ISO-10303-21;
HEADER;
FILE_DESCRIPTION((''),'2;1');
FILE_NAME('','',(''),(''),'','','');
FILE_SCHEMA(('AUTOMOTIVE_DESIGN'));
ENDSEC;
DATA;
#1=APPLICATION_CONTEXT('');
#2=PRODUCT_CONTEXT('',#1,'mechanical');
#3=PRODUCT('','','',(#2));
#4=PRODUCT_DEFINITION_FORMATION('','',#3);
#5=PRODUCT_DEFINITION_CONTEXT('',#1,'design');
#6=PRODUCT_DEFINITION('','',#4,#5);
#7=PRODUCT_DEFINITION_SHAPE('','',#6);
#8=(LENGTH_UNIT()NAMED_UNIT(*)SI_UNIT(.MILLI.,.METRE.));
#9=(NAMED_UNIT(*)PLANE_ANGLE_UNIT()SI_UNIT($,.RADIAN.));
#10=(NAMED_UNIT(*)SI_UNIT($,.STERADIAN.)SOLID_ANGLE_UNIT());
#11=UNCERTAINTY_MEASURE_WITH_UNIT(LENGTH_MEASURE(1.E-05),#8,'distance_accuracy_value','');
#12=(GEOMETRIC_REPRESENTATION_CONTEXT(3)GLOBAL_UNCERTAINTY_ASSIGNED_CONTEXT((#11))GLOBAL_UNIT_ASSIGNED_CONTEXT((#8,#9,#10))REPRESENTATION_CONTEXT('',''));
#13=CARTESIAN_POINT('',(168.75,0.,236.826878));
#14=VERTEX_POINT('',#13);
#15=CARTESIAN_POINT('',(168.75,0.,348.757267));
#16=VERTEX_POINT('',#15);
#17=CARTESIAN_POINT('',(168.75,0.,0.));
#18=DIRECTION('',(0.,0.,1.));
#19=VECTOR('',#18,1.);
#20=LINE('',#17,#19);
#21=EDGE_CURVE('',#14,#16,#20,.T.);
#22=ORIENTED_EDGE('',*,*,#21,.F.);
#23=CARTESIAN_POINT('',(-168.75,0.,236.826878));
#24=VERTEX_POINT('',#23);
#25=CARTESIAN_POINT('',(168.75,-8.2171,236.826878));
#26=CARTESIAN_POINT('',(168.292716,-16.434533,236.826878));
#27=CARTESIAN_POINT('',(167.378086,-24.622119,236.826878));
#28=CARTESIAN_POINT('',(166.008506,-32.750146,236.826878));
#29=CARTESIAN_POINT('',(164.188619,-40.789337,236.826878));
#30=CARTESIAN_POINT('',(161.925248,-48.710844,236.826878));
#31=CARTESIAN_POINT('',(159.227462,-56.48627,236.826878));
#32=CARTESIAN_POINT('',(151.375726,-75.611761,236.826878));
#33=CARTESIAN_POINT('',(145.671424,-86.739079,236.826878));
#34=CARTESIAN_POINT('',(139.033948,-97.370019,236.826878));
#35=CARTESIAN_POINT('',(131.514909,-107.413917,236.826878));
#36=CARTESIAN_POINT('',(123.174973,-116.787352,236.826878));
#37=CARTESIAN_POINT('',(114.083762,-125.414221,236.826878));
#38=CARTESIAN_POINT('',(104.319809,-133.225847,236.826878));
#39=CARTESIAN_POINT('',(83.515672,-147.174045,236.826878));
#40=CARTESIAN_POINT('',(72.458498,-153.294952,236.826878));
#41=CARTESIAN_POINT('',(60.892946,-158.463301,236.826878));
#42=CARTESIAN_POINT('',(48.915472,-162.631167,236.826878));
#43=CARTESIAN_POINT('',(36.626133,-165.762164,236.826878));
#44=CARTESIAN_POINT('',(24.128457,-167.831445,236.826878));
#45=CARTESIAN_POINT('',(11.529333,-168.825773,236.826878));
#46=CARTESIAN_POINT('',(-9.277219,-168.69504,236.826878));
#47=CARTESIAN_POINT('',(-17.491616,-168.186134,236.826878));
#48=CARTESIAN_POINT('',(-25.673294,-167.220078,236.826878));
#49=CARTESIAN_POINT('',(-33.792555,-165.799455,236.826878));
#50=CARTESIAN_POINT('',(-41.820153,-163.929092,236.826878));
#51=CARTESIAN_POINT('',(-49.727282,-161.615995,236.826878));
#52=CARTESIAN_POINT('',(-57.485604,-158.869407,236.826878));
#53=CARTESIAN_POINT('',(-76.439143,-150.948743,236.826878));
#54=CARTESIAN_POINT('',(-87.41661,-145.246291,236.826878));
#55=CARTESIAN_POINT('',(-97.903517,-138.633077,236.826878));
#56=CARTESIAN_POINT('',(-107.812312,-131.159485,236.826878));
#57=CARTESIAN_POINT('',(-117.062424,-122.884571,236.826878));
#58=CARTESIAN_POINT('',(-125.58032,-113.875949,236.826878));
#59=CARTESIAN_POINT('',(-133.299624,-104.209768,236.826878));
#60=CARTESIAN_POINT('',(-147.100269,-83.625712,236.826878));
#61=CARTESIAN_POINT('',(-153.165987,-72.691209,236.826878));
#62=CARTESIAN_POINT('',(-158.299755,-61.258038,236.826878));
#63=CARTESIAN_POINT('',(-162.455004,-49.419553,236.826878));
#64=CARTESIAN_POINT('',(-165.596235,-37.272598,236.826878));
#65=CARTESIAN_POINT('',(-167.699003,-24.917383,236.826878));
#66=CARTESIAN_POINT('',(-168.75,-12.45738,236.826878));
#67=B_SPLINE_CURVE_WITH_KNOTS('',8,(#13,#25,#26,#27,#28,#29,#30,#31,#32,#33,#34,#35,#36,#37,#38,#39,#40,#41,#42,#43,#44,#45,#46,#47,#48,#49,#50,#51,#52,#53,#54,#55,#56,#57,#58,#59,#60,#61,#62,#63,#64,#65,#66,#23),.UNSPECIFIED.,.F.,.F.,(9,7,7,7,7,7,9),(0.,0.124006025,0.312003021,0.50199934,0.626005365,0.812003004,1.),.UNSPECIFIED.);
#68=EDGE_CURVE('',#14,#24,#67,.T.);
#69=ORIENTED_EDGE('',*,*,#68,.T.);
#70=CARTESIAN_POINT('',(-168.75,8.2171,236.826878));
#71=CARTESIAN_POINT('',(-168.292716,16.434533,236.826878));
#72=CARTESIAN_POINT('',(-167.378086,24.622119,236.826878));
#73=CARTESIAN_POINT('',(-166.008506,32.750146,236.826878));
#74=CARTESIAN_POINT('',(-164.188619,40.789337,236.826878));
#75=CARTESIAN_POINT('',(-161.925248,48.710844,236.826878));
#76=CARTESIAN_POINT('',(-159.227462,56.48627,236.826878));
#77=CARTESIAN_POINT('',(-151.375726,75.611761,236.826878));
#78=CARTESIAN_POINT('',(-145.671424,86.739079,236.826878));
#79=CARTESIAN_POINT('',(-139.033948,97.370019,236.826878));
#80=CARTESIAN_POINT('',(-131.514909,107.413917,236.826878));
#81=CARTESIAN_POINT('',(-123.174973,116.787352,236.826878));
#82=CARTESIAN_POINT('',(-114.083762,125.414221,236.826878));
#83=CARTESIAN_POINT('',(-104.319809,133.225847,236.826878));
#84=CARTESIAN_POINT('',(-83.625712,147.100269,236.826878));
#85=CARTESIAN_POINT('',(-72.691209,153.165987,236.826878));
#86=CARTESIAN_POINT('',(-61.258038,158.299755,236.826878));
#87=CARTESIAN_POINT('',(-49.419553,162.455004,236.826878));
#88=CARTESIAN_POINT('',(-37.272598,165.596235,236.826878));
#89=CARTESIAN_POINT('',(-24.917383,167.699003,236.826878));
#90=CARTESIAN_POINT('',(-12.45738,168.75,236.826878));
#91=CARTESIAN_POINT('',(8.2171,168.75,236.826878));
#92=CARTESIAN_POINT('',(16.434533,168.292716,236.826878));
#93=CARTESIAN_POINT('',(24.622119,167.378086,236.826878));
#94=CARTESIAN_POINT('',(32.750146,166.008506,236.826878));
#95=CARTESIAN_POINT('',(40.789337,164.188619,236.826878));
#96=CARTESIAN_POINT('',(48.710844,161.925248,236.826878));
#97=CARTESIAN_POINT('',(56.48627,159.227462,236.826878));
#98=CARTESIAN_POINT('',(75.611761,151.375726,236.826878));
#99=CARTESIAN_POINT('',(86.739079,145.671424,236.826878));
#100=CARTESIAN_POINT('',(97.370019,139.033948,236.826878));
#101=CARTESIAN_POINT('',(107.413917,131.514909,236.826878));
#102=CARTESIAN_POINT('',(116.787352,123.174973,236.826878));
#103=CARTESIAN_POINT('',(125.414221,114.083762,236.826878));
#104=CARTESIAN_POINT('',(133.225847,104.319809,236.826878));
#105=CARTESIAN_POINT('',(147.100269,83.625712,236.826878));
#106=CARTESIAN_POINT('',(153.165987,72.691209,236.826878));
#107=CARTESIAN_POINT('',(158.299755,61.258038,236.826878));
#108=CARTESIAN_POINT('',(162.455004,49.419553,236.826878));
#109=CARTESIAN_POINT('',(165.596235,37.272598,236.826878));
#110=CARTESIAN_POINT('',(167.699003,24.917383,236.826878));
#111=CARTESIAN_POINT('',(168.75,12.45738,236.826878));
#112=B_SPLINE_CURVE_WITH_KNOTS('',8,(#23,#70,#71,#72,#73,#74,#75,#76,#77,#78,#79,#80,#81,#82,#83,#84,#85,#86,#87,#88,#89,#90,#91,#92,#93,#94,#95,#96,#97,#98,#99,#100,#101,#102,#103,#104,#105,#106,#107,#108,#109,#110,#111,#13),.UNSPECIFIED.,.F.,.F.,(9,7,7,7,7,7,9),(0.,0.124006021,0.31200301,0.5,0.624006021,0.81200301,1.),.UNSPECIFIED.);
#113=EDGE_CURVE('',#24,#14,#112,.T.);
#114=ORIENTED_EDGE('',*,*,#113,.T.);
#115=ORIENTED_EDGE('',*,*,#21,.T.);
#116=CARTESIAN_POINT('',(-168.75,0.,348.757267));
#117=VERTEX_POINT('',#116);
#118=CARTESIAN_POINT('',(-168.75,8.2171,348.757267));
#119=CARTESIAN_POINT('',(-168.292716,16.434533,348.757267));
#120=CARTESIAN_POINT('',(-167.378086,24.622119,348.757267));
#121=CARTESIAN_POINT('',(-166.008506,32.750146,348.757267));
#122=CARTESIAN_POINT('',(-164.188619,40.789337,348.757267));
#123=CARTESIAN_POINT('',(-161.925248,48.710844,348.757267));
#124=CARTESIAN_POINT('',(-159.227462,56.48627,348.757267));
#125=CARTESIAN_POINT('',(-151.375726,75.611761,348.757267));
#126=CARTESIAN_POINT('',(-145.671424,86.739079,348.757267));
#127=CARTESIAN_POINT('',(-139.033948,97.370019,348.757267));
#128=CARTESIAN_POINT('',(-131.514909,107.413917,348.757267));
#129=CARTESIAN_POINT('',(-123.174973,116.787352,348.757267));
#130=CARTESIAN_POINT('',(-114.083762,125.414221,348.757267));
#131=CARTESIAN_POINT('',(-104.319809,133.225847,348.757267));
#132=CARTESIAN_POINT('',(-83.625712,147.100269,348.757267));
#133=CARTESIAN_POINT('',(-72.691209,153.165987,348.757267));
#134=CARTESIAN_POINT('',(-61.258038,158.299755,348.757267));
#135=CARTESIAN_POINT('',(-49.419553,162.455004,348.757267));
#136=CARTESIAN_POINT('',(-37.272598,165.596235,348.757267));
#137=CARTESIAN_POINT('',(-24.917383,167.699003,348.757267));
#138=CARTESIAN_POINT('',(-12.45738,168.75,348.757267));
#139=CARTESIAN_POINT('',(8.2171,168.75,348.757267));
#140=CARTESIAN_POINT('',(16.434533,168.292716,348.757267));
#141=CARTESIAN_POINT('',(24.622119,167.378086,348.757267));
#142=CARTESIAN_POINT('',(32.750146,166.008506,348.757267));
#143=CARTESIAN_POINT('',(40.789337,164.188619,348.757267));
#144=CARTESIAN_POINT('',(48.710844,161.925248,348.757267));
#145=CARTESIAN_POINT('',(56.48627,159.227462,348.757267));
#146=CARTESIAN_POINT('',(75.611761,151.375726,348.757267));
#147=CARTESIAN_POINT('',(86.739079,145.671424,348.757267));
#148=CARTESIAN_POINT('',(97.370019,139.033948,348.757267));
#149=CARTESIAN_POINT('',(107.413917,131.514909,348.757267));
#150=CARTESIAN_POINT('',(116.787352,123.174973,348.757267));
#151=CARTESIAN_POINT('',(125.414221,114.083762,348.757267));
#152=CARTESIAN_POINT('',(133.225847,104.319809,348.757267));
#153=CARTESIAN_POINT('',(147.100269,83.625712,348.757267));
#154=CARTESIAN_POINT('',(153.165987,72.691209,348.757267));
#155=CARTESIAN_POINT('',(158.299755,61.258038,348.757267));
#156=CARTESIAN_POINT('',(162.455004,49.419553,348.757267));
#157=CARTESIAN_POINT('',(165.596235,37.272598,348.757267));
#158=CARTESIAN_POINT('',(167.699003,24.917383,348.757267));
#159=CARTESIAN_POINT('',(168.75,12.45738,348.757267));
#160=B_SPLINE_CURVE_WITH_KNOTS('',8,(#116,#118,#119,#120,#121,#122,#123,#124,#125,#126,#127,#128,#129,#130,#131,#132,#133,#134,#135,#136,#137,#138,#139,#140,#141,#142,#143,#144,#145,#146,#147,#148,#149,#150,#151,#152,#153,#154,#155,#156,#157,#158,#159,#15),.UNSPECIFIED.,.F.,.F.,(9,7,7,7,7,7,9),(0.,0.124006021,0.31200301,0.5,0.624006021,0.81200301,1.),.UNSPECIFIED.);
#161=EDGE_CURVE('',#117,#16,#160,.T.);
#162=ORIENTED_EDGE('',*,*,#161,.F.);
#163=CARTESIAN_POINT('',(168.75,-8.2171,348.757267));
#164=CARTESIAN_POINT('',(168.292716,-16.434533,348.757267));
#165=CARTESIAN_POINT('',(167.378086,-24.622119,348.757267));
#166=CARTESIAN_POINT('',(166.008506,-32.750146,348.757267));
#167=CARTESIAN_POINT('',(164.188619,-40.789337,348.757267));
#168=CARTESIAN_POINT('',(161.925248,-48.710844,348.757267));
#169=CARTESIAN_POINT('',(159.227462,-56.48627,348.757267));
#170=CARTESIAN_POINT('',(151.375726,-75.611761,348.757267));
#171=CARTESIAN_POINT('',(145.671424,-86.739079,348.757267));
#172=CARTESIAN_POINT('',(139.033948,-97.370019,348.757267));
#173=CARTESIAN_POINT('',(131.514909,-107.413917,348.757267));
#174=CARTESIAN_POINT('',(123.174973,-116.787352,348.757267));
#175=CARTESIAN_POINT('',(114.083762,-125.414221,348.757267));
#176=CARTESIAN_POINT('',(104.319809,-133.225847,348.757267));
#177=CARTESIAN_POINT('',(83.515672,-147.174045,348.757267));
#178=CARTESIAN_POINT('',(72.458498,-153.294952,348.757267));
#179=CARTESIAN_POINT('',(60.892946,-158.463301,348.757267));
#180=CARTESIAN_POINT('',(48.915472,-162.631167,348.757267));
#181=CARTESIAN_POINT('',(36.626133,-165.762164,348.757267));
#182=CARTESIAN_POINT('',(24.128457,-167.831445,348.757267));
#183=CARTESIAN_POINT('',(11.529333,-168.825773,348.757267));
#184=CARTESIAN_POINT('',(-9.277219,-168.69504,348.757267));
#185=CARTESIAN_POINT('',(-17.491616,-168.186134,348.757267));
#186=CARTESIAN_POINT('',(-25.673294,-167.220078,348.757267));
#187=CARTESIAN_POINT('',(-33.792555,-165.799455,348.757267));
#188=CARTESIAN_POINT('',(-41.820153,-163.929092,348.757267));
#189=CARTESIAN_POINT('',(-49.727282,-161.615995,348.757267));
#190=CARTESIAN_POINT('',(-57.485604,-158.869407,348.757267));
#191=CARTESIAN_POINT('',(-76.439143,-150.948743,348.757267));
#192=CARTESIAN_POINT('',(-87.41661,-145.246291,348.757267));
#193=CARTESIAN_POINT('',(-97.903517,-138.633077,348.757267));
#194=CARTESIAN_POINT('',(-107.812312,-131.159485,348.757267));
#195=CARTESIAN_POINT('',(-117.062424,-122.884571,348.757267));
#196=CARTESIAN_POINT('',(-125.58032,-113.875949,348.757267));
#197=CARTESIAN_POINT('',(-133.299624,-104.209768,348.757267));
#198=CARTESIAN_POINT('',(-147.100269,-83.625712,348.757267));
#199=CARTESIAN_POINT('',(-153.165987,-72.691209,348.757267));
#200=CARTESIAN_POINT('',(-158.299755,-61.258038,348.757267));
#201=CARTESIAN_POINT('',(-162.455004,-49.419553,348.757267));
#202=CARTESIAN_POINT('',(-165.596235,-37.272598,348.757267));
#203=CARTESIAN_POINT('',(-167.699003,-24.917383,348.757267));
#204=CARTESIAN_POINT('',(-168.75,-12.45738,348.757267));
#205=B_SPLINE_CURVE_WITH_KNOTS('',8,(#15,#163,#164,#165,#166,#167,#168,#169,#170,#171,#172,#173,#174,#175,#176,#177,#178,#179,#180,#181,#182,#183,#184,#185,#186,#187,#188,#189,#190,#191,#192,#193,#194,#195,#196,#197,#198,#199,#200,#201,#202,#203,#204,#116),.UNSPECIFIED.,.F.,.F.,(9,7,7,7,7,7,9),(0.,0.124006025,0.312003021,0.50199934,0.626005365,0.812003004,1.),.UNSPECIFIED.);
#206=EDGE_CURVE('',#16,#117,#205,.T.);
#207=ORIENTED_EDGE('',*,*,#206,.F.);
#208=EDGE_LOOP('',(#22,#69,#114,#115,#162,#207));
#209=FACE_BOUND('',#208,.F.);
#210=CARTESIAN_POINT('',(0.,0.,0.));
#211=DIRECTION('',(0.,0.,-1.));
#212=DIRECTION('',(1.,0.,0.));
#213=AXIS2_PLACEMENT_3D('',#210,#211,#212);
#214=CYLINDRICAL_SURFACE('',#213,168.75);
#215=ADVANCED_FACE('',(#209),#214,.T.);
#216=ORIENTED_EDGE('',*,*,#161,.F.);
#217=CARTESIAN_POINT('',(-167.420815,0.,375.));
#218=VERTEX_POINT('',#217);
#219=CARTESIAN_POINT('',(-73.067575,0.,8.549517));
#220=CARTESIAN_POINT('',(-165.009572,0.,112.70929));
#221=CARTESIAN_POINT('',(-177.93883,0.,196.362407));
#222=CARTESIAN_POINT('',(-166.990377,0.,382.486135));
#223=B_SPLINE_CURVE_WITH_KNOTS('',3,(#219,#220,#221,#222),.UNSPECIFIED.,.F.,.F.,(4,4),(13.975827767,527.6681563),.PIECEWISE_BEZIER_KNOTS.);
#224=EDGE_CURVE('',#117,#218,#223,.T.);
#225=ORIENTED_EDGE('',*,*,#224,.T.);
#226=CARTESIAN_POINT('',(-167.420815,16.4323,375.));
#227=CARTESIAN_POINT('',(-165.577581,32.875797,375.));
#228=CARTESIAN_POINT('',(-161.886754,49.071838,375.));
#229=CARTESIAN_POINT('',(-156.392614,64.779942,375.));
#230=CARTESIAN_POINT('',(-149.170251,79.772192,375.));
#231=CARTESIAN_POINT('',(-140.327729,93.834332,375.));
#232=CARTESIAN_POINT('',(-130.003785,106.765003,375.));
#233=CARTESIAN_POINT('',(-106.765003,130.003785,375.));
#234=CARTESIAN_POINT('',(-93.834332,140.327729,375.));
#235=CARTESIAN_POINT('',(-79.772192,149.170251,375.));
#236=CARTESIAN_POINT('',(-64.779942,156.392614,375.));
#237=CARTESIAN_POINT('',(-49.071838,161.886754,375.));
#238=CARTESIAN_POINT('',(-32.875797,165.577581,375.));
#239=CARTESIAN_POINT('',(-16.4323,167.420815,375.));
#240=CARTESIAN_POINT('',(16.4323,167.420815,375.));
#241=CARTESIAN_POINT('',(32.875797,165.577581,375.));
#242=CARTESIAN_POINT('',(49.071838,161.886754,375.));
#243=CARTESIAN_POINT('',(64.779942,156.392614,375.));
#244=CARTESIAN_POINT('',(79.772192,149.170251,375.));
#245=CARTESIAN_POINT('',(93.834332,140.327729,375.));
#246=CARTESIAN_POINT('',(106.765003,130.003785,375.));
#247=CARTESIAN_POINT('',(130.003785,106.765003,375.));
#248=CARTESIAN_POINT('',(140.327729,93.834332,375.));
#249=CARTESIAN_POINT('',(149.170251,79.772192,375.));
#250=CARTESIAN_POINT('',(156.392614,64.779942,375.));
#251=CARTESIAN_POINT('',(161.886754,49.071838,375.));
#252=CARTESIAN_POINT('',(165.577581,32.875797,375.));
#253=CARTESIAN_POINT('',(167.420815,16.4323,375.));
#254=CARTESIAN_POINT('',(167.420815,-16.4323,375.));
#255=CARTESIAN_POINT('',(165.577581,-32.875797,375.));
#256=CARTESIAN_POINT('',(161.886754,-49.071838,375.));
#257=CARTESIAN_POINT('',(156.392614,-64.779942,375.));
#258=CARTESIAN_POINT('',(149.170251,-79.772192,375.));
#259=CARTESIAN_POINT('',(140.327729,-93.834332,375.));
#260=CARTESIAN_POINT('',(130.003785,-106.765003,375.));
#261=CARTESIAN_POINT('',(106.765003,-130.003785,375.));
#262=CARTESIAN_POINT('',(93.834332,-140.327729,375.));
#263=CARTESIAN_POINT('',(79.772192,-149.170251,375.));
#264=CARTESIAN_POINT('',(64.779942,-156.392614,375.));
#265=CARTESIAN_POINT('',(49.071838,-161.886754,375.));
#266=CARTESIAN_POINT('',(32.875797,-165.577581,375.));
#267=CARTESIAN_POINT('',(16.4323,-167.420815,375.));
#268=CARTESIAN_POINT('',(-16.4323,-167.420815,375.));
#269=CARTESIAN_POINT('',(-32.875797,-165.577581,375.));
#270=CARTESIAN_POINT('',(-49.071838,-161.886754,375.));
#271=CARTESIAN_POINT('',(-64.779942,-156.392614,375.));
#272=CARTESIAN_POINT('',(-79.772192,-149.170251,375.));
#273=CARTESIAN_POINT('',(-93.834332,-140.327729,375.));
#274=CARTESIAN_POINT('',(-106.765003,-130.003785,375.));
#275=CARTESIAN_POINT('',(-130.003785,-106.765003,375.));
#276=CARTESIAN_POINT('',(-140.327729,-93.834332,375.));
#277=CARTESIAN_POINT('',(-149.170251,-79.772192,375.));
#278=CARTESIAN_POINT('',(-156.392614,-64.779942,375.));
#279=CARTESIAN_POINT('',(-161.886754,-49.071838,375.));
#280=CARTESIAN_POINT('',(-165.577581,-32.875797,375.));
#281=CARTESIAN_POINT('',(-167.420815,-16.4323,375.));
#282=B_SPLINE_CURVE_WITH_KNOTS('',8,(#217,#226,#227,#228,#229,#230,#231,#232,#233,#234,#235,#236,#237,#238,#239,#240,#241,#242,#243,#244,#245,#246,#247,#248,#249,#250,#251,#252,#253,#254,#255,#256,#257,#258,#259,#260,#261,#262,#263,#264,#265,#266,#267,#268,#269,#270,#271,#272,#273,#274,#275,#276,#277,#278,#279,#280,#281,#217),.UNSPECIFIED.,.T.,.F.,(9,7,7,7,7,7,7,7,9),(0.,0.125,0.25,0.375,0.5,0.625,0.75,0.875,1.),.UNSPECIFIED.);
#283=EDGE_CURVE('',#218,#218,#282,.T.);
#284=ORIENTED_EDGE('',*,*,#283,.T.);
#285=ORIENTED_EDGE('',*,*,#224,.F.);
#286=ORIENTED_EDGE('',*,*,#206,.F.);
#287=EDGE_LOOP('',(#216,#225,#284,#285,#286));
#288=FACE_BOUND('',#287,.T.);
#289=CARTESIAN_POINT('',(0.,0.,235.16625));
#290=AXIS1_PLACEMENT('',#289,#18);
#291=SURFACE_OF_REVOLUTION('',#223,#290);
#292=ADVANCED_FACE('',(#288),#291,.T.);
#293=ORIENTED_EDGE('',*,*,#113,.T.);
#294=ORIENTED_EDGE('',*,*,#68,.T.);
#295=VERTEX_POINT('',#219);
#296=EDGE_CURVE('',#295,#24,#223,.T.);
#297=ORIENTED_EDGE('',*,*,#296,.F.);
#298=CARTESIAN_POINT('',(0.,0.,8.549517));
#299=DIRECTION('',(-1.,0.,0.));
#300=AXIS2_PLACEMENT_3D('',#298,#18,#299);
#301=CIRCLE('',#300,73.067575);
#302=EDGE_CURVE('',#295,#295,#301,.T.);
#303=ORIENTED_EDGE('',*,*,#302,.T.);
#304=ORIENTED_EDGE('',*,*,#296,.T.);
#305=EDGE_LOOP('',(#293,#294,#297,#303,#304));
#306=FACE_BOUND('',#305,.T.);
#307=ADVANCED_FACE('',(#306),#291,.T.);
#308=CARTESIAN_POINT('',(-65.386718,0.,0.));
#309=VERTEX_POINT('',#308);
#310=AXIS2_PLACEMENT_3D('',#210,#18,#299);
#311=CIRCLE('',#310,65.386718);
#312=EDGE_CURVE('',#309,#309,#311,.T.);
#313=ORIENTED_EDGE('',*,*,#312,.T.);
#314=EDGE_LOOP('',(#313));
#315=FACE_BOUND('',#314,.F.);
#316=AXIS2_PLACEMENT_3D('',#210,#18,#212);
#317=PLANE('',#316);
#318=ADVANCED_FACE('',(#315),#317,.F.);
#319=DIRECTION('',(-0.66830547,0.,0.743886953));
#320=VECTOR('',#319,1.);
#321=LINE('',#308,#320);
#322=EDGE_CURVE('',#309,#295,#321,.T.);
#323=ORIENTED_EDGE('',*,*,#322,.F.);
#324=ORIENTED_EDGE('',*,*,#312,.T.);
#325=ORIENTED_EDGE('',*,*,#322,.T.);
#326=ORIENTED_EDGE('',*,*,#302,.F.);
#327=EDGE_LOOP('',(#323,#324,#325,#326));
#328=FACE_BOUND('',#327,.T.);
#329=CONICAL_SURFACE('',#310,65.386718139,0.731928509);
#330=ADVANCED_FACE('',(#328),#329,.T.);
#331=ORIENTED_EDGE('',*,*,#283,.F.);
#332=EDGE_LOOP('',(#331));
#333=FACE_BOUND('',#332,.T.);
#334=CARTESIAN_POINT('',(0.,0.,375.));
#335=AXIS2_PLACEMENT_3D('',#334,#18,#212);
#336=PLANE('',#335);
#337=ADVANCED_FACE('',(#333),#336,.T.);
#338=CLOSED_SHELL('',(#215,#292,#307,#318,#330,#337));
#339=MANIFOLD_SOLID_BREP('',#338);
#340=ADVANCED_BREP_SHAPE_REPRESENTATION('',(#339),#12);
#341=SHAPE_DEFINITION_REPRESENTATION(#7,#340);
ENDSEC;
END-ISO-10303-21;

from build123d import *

# Parameters (mm, degrees)
F0_R     = 225
F1_DEPTH = 500
F5_SCALE = 0.75


with BuildPart() as f1:
    # F0 (on Top) → F1 (new body)
    with BuildSketch(Plane.XY):
        Circle(F0_R)
    extrude(amount=F1_DEPTH)

    # F2 (on Front) → F4 (revolve, cut)
    with BuildSketch(Plane.XZ):
        with BuildLine():
            Line((-370.3630566597, 0), (-87.1822908521, 0))
            add(Edge.make_bspline(
                [(-87.1822908521, 0), (-90.6749721594, 3.8222254673), (-94.0881927527, 7.6209101654), (-97.4234330683, 11.3993561694)],
                knots=[0, 0, 0, 0, 13.9758277665, 13.9758277665, 13.9758277665, 13.9758277665], degree=3))
            add(Edge.make_bspline(
                [(-97.4234330683, 11.3993561694), (-220.0127632021, 150.279053206), (-237.2517737021, 261.8165432768), (-222.6538360119, 509.9815130234)],
                knots=[13.9758277665, 13.9758277665, 13.9758277665, 13.9758277665, 527.6681563005, 527.6681563005, 527.6681563005, 527.6681563005], degree=3))
            Line((-222.6538360119, 509.9815130234), (-370.3630566597, 526.1934995651))
            Line((-370.3630566597, 526.1934995651), (-370.3630566597, 0))
        make_face()
        with BuildLine():
            add(Edge.make_bspline(
                [(-87.1822908521, 0), (-90.6749721594, 3.8222254673), (-94.0881927527, 7.6209101654), (-97.4234330683, 11.3993561694)],
                knots=[0, 0, 0, 0, 13.9758277665, 13.9758277665, 13.9758277665, 13.9758277665], degree=3))
            Line((-87.1822908521, 0), (-97.4234330683, 11.3993561694))
        make_face()
    revolve(axis=Axis((0, 0, 313.555), (0, 0, 1)), mode=Mode.SUBTRACT)


with BuildPart() as f1_1:
    # F5: moved
    add(f1.part.scale(F5_SCALE))


solid = f1_1.part
